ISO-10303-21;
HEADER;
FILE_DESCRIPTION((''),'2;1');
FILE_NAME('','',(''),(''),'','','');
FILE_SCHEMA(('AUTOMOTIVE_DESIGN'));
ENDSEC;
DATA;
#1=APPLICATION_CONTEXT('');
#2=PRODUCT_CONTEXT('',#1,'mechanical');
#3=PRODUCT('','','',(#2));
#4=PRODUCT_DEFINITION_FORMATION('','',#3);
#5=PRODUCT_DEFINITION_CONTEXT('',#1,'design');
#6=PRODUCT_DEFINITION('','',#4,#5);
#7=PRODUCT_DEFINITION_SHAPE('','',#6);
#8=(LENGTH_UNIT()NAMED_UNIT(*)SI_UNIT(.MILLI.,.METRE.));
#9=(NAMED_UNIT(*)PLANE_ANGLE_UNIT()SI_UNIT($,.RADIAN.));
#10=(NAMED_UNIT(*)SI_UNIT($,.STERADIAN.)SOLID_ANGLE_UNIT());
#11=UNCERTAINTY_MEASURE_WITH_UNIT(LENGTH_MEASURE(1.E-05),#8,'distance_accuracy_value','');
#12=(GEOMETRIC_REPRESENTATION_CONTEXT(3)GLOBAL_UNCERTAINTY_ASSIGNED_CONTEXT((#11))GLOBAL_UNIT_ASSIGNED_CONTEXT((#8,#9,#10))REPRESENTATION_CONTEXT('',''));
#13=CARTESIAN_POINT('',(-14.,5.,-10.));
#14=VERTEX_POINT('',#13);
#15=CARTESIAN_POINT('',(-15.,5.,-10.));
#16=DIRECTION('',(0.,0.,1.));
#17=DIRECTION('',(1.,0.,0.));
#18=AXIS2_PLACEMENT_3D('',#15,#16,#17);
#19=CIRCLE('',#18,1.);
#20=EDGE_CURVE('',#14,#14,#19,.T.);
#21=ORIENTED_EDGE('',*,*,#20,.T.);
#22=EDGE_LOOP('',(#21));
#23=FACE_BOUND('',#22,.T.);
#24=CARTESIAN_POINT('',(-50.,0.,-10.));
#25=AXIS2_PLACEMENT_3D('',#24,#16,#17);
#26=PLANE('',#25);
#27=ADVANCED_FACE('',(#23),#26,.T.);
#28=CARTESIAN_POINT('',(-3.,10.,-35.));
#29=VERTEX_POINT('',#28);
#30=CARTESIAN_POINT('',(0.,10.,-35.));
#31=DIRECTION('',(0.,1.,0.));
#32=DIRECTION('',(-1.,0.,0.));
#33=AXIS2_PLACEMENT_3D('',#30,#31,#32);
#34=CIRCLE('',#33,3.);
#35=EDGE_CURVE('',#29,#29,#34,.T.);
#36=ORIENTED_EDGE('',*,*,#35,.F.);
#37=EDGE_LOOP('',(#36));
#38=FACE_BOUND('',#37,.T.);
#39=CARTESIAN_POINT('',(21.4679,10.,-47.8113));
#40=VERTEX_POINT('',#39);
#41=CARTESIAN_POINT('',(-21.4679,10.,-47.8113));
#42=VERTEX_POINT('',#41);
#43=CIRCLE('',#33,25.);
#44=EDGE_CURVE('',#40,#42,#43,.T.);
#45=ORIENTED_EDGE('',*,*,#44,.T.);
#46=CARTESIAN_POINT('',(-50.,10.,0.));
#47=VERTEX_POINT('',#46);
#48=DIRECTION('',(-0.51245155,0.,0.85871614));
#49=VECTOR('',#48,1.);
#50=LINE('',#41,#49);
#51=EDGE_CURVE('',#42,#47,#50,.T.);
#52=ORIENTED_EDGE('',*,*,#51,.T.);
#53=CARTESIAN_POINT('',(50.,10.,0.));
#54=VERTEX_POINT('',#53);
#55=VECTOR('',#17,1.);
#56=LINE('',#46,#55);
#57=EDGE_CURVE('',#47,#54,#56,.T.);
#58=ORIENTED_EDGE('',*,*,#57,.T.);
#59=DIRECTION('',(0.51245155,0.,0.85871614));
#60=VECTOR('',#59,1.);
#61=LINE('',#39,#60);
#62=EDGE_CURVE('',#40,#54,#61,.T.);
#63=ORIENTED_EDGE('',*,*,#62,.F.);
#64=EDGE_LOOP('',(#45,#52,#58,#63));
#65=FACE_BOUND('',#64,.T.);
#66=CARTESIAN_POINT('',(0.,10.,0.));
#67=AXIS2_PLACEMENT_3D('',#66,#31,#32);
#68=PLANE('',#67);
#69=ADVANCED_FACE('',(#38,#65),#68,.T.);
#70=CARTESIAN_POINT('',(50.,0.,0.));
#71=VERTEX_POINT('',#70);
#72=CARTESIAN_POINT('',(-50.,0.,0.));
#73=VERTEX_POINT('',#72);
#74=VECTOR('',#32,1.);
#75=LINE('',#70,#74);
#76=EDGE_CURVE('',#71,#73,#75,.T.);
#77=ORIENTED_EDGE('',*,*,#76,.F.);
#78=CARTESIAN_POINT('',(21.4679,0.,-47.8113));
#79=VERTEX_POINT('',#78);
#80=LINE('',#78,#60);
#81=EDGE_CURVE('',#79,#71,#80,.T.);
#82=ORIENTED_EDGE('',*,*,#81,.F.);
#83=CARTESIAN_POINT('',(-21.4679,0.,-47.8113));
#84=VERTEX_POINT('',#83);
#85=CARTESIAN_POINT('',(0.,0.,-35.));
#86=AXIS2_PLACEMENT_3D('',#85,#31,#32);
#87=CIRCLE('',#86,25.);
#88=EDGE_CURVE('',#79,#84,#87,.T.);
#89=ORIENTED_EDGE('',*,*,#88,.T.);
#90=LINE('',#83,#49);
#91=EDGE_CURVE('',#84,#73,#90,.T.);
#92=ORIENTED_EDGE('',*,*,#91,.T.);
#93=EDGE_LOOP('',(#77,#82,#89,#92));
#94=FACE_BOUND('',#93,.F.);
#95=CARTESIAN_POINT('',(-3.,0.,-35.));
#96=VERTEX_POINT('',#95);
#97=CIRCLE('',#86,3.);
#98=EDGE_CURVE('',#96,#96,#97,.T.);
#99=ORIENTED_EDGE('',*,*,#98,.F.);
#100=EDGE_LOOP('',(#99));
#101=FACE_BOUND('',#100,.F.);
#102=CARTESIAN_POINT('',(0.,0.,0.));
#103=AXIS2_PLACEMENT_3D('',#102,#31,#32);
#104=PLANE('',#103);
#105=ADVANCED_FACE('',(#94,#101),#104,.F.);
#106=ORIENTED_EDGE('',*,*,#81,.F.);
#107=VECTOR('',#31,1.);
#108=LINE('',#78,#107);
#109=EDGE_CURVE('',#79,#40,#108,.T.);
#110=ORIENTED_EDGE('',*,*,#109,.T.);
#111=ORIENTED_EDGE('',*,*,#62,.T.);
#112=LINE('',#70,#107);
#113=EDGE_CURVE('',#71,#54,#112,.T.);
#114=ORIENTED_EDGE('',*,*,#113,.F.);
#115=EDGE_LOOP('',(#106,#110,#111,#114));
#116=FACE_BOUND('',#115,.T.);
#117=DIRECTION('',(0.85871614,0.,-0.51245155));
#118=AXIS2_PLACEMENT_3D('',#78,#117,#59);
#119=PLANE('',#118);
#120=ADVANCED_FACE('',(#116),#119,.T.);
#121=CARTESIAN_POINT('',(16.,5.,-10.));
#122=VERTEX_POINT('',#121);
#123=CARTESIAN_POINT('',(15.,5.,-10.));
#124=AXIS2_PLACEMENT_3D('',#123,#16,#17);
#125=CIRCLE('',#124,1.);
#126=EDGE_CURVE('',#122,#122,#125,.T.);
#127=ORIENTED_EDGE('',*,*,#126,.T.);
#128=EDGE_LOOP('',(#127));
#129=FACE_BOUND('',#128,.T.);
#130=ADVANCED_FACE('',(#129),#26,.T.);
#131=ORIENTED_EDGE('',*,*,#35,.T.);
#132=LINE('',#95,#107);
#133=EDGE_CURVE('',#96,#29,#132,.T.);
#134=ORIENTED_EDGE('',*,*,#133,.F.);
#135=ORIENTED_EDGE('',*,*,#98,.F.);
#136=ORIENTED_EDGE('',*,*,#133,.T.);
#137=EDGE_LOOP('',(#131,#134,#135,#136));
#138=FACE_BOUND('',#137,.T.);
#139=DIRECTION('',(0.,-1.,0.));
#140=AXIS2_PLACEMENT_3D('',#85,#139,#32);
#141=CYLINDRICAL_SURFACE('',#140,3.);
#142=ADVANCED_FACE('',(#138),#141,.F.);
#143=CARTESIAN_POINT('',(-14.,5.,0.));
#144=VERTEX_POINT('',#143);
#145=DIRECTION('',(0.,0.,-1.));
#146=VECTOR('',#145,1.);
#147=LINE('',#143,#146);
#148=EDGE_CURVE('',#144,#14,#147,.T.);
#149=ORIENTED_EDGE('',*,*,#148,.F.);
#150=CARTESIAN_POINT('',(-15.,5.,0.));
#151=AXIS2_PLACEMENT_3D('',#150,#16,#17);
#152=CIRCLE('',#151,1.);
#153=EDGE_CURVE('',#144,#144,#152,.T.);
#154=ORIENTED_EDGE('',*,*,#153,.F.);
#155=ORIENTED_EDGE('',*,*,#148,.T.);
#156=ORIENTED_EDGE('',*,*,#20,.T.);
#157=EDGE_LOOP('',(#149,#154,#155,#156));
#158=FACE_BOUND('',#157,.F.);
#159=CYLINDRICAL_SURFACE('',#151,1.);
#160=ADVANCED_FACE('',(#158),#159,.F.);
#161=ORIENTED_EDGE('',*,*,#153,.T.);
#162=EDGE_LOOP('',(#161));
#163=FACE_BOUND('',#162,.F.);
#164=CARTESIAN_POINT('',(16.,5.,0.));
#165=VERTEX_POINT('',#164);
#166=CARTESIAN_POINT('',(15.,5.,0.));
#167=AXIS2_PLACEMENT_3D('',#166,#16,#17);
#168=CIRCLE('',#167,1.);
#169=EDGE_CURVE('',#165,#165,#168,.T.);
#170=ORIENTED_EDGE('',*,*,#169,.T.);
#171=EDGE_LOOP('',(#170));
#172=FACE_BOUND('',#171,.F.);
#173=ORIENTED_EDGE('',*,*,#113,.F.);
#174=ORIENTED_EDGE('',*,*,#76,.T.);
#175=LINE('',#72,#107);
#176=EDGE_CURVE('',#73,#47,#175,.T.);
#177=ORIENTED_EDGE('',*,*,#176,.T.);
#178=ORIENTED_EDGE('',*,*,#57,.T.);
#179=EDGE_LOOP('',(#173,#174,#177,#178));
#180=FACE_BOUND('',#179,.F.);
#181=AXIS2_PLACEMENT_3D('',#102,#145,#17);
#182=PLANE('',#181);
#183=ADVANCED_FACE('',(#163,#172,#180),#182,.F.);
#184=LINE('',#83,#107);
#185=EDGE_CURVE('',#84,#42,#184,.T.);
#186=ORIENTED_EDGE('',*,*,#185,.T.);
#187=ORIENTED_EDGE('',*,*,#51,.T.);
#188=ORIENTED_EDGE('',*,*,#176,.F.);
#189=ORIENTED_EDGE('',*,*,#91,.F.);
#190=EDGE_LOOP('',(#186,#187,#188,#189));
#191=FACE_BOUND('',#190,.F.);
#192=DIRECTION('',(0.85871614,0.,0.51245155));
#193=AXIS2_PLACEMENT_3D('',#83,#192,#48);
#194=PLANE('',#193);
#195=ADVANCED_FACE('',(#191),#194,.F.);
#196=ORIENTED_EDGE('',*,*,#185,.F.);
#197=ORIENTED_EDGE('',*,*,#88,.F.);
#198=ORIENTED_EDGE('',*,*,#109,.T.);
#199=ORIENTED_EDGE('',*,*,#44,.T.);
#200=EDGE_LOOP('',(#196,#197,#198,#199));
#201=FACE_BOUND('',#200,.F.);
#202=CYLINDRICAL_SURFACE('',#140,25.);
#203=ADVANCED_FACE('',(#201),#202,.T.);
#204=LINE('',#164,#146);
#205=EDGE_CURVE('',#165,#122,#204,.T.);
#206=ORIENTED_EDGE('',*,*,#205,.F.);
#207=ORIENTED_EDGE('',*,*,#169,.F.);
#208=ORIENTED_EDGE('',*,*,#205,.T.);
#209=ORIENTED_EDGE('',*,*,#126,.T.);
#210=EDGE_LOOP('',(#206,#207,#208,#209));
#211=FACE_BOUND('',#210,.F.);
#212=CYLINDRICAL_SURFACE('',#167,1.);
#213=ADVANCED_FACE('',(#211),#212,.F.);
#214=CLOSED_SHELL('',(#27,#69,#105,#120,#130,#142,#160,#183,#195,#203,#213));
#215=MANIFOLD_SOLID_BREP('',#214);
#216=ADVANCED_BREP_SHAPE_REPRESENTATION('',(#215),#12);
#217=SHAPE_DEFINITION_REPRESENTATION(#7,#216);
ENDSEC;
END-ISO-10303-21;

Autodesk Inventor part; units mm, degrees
ref_plane "YZ Plane" through (0, 0, 0) normal (1, 0, 0) x (0, 1, 0)
ref_plane "XZ Plane" through (0, 0, 0) normal (0, 1, 0) x (-1, 0, 0)
ref_plane "XY Plane" through (0, 0, 0) normal (0, 0, 1) x (1, 0, 0)
sketch "Sketch1" plane through (0, 0, 0) normal (0, 1, 0) x (-1, 0, 0)
  circle A0 centre (0, -35) radius 25
  line L0 (0, 0) -> (50, 0)
  line L1 (50, 0) -> (-50, 0)
  line L2 (21.4679, -47.8113) -> (50, 0)
  line L3 (-21.4679, -47.8113) -> (-50, 0)
  circle A1 centre (0, -35) radius 3
  dimension "d4" = 50
  dimension "d5" = 50
  dimension "d6" = 100
  dimension "d7" = 6
extrude "Extrusion1" add sketch "Sketch1" along normal blind 10
sketch "Sketch2" plane through (-50, 0, 0) normal (0, 0, 1) x (1, 0, 0)
  line L0 (0, 10) -> (100, 10) projected
  line L1 (0, 10) -> (50, 10)
  line L2 (50, 10) -> (50, 0)
  circle A0 centre (35, 5) radius 1
  circle A1 centre (65, 5) radius 1
  dimension "d11" = 2
  dimension "d12" = 2
extrude "Extrusion2" cut sketch "Sketch2" against normal blind 10
properties part number "stojan2"
